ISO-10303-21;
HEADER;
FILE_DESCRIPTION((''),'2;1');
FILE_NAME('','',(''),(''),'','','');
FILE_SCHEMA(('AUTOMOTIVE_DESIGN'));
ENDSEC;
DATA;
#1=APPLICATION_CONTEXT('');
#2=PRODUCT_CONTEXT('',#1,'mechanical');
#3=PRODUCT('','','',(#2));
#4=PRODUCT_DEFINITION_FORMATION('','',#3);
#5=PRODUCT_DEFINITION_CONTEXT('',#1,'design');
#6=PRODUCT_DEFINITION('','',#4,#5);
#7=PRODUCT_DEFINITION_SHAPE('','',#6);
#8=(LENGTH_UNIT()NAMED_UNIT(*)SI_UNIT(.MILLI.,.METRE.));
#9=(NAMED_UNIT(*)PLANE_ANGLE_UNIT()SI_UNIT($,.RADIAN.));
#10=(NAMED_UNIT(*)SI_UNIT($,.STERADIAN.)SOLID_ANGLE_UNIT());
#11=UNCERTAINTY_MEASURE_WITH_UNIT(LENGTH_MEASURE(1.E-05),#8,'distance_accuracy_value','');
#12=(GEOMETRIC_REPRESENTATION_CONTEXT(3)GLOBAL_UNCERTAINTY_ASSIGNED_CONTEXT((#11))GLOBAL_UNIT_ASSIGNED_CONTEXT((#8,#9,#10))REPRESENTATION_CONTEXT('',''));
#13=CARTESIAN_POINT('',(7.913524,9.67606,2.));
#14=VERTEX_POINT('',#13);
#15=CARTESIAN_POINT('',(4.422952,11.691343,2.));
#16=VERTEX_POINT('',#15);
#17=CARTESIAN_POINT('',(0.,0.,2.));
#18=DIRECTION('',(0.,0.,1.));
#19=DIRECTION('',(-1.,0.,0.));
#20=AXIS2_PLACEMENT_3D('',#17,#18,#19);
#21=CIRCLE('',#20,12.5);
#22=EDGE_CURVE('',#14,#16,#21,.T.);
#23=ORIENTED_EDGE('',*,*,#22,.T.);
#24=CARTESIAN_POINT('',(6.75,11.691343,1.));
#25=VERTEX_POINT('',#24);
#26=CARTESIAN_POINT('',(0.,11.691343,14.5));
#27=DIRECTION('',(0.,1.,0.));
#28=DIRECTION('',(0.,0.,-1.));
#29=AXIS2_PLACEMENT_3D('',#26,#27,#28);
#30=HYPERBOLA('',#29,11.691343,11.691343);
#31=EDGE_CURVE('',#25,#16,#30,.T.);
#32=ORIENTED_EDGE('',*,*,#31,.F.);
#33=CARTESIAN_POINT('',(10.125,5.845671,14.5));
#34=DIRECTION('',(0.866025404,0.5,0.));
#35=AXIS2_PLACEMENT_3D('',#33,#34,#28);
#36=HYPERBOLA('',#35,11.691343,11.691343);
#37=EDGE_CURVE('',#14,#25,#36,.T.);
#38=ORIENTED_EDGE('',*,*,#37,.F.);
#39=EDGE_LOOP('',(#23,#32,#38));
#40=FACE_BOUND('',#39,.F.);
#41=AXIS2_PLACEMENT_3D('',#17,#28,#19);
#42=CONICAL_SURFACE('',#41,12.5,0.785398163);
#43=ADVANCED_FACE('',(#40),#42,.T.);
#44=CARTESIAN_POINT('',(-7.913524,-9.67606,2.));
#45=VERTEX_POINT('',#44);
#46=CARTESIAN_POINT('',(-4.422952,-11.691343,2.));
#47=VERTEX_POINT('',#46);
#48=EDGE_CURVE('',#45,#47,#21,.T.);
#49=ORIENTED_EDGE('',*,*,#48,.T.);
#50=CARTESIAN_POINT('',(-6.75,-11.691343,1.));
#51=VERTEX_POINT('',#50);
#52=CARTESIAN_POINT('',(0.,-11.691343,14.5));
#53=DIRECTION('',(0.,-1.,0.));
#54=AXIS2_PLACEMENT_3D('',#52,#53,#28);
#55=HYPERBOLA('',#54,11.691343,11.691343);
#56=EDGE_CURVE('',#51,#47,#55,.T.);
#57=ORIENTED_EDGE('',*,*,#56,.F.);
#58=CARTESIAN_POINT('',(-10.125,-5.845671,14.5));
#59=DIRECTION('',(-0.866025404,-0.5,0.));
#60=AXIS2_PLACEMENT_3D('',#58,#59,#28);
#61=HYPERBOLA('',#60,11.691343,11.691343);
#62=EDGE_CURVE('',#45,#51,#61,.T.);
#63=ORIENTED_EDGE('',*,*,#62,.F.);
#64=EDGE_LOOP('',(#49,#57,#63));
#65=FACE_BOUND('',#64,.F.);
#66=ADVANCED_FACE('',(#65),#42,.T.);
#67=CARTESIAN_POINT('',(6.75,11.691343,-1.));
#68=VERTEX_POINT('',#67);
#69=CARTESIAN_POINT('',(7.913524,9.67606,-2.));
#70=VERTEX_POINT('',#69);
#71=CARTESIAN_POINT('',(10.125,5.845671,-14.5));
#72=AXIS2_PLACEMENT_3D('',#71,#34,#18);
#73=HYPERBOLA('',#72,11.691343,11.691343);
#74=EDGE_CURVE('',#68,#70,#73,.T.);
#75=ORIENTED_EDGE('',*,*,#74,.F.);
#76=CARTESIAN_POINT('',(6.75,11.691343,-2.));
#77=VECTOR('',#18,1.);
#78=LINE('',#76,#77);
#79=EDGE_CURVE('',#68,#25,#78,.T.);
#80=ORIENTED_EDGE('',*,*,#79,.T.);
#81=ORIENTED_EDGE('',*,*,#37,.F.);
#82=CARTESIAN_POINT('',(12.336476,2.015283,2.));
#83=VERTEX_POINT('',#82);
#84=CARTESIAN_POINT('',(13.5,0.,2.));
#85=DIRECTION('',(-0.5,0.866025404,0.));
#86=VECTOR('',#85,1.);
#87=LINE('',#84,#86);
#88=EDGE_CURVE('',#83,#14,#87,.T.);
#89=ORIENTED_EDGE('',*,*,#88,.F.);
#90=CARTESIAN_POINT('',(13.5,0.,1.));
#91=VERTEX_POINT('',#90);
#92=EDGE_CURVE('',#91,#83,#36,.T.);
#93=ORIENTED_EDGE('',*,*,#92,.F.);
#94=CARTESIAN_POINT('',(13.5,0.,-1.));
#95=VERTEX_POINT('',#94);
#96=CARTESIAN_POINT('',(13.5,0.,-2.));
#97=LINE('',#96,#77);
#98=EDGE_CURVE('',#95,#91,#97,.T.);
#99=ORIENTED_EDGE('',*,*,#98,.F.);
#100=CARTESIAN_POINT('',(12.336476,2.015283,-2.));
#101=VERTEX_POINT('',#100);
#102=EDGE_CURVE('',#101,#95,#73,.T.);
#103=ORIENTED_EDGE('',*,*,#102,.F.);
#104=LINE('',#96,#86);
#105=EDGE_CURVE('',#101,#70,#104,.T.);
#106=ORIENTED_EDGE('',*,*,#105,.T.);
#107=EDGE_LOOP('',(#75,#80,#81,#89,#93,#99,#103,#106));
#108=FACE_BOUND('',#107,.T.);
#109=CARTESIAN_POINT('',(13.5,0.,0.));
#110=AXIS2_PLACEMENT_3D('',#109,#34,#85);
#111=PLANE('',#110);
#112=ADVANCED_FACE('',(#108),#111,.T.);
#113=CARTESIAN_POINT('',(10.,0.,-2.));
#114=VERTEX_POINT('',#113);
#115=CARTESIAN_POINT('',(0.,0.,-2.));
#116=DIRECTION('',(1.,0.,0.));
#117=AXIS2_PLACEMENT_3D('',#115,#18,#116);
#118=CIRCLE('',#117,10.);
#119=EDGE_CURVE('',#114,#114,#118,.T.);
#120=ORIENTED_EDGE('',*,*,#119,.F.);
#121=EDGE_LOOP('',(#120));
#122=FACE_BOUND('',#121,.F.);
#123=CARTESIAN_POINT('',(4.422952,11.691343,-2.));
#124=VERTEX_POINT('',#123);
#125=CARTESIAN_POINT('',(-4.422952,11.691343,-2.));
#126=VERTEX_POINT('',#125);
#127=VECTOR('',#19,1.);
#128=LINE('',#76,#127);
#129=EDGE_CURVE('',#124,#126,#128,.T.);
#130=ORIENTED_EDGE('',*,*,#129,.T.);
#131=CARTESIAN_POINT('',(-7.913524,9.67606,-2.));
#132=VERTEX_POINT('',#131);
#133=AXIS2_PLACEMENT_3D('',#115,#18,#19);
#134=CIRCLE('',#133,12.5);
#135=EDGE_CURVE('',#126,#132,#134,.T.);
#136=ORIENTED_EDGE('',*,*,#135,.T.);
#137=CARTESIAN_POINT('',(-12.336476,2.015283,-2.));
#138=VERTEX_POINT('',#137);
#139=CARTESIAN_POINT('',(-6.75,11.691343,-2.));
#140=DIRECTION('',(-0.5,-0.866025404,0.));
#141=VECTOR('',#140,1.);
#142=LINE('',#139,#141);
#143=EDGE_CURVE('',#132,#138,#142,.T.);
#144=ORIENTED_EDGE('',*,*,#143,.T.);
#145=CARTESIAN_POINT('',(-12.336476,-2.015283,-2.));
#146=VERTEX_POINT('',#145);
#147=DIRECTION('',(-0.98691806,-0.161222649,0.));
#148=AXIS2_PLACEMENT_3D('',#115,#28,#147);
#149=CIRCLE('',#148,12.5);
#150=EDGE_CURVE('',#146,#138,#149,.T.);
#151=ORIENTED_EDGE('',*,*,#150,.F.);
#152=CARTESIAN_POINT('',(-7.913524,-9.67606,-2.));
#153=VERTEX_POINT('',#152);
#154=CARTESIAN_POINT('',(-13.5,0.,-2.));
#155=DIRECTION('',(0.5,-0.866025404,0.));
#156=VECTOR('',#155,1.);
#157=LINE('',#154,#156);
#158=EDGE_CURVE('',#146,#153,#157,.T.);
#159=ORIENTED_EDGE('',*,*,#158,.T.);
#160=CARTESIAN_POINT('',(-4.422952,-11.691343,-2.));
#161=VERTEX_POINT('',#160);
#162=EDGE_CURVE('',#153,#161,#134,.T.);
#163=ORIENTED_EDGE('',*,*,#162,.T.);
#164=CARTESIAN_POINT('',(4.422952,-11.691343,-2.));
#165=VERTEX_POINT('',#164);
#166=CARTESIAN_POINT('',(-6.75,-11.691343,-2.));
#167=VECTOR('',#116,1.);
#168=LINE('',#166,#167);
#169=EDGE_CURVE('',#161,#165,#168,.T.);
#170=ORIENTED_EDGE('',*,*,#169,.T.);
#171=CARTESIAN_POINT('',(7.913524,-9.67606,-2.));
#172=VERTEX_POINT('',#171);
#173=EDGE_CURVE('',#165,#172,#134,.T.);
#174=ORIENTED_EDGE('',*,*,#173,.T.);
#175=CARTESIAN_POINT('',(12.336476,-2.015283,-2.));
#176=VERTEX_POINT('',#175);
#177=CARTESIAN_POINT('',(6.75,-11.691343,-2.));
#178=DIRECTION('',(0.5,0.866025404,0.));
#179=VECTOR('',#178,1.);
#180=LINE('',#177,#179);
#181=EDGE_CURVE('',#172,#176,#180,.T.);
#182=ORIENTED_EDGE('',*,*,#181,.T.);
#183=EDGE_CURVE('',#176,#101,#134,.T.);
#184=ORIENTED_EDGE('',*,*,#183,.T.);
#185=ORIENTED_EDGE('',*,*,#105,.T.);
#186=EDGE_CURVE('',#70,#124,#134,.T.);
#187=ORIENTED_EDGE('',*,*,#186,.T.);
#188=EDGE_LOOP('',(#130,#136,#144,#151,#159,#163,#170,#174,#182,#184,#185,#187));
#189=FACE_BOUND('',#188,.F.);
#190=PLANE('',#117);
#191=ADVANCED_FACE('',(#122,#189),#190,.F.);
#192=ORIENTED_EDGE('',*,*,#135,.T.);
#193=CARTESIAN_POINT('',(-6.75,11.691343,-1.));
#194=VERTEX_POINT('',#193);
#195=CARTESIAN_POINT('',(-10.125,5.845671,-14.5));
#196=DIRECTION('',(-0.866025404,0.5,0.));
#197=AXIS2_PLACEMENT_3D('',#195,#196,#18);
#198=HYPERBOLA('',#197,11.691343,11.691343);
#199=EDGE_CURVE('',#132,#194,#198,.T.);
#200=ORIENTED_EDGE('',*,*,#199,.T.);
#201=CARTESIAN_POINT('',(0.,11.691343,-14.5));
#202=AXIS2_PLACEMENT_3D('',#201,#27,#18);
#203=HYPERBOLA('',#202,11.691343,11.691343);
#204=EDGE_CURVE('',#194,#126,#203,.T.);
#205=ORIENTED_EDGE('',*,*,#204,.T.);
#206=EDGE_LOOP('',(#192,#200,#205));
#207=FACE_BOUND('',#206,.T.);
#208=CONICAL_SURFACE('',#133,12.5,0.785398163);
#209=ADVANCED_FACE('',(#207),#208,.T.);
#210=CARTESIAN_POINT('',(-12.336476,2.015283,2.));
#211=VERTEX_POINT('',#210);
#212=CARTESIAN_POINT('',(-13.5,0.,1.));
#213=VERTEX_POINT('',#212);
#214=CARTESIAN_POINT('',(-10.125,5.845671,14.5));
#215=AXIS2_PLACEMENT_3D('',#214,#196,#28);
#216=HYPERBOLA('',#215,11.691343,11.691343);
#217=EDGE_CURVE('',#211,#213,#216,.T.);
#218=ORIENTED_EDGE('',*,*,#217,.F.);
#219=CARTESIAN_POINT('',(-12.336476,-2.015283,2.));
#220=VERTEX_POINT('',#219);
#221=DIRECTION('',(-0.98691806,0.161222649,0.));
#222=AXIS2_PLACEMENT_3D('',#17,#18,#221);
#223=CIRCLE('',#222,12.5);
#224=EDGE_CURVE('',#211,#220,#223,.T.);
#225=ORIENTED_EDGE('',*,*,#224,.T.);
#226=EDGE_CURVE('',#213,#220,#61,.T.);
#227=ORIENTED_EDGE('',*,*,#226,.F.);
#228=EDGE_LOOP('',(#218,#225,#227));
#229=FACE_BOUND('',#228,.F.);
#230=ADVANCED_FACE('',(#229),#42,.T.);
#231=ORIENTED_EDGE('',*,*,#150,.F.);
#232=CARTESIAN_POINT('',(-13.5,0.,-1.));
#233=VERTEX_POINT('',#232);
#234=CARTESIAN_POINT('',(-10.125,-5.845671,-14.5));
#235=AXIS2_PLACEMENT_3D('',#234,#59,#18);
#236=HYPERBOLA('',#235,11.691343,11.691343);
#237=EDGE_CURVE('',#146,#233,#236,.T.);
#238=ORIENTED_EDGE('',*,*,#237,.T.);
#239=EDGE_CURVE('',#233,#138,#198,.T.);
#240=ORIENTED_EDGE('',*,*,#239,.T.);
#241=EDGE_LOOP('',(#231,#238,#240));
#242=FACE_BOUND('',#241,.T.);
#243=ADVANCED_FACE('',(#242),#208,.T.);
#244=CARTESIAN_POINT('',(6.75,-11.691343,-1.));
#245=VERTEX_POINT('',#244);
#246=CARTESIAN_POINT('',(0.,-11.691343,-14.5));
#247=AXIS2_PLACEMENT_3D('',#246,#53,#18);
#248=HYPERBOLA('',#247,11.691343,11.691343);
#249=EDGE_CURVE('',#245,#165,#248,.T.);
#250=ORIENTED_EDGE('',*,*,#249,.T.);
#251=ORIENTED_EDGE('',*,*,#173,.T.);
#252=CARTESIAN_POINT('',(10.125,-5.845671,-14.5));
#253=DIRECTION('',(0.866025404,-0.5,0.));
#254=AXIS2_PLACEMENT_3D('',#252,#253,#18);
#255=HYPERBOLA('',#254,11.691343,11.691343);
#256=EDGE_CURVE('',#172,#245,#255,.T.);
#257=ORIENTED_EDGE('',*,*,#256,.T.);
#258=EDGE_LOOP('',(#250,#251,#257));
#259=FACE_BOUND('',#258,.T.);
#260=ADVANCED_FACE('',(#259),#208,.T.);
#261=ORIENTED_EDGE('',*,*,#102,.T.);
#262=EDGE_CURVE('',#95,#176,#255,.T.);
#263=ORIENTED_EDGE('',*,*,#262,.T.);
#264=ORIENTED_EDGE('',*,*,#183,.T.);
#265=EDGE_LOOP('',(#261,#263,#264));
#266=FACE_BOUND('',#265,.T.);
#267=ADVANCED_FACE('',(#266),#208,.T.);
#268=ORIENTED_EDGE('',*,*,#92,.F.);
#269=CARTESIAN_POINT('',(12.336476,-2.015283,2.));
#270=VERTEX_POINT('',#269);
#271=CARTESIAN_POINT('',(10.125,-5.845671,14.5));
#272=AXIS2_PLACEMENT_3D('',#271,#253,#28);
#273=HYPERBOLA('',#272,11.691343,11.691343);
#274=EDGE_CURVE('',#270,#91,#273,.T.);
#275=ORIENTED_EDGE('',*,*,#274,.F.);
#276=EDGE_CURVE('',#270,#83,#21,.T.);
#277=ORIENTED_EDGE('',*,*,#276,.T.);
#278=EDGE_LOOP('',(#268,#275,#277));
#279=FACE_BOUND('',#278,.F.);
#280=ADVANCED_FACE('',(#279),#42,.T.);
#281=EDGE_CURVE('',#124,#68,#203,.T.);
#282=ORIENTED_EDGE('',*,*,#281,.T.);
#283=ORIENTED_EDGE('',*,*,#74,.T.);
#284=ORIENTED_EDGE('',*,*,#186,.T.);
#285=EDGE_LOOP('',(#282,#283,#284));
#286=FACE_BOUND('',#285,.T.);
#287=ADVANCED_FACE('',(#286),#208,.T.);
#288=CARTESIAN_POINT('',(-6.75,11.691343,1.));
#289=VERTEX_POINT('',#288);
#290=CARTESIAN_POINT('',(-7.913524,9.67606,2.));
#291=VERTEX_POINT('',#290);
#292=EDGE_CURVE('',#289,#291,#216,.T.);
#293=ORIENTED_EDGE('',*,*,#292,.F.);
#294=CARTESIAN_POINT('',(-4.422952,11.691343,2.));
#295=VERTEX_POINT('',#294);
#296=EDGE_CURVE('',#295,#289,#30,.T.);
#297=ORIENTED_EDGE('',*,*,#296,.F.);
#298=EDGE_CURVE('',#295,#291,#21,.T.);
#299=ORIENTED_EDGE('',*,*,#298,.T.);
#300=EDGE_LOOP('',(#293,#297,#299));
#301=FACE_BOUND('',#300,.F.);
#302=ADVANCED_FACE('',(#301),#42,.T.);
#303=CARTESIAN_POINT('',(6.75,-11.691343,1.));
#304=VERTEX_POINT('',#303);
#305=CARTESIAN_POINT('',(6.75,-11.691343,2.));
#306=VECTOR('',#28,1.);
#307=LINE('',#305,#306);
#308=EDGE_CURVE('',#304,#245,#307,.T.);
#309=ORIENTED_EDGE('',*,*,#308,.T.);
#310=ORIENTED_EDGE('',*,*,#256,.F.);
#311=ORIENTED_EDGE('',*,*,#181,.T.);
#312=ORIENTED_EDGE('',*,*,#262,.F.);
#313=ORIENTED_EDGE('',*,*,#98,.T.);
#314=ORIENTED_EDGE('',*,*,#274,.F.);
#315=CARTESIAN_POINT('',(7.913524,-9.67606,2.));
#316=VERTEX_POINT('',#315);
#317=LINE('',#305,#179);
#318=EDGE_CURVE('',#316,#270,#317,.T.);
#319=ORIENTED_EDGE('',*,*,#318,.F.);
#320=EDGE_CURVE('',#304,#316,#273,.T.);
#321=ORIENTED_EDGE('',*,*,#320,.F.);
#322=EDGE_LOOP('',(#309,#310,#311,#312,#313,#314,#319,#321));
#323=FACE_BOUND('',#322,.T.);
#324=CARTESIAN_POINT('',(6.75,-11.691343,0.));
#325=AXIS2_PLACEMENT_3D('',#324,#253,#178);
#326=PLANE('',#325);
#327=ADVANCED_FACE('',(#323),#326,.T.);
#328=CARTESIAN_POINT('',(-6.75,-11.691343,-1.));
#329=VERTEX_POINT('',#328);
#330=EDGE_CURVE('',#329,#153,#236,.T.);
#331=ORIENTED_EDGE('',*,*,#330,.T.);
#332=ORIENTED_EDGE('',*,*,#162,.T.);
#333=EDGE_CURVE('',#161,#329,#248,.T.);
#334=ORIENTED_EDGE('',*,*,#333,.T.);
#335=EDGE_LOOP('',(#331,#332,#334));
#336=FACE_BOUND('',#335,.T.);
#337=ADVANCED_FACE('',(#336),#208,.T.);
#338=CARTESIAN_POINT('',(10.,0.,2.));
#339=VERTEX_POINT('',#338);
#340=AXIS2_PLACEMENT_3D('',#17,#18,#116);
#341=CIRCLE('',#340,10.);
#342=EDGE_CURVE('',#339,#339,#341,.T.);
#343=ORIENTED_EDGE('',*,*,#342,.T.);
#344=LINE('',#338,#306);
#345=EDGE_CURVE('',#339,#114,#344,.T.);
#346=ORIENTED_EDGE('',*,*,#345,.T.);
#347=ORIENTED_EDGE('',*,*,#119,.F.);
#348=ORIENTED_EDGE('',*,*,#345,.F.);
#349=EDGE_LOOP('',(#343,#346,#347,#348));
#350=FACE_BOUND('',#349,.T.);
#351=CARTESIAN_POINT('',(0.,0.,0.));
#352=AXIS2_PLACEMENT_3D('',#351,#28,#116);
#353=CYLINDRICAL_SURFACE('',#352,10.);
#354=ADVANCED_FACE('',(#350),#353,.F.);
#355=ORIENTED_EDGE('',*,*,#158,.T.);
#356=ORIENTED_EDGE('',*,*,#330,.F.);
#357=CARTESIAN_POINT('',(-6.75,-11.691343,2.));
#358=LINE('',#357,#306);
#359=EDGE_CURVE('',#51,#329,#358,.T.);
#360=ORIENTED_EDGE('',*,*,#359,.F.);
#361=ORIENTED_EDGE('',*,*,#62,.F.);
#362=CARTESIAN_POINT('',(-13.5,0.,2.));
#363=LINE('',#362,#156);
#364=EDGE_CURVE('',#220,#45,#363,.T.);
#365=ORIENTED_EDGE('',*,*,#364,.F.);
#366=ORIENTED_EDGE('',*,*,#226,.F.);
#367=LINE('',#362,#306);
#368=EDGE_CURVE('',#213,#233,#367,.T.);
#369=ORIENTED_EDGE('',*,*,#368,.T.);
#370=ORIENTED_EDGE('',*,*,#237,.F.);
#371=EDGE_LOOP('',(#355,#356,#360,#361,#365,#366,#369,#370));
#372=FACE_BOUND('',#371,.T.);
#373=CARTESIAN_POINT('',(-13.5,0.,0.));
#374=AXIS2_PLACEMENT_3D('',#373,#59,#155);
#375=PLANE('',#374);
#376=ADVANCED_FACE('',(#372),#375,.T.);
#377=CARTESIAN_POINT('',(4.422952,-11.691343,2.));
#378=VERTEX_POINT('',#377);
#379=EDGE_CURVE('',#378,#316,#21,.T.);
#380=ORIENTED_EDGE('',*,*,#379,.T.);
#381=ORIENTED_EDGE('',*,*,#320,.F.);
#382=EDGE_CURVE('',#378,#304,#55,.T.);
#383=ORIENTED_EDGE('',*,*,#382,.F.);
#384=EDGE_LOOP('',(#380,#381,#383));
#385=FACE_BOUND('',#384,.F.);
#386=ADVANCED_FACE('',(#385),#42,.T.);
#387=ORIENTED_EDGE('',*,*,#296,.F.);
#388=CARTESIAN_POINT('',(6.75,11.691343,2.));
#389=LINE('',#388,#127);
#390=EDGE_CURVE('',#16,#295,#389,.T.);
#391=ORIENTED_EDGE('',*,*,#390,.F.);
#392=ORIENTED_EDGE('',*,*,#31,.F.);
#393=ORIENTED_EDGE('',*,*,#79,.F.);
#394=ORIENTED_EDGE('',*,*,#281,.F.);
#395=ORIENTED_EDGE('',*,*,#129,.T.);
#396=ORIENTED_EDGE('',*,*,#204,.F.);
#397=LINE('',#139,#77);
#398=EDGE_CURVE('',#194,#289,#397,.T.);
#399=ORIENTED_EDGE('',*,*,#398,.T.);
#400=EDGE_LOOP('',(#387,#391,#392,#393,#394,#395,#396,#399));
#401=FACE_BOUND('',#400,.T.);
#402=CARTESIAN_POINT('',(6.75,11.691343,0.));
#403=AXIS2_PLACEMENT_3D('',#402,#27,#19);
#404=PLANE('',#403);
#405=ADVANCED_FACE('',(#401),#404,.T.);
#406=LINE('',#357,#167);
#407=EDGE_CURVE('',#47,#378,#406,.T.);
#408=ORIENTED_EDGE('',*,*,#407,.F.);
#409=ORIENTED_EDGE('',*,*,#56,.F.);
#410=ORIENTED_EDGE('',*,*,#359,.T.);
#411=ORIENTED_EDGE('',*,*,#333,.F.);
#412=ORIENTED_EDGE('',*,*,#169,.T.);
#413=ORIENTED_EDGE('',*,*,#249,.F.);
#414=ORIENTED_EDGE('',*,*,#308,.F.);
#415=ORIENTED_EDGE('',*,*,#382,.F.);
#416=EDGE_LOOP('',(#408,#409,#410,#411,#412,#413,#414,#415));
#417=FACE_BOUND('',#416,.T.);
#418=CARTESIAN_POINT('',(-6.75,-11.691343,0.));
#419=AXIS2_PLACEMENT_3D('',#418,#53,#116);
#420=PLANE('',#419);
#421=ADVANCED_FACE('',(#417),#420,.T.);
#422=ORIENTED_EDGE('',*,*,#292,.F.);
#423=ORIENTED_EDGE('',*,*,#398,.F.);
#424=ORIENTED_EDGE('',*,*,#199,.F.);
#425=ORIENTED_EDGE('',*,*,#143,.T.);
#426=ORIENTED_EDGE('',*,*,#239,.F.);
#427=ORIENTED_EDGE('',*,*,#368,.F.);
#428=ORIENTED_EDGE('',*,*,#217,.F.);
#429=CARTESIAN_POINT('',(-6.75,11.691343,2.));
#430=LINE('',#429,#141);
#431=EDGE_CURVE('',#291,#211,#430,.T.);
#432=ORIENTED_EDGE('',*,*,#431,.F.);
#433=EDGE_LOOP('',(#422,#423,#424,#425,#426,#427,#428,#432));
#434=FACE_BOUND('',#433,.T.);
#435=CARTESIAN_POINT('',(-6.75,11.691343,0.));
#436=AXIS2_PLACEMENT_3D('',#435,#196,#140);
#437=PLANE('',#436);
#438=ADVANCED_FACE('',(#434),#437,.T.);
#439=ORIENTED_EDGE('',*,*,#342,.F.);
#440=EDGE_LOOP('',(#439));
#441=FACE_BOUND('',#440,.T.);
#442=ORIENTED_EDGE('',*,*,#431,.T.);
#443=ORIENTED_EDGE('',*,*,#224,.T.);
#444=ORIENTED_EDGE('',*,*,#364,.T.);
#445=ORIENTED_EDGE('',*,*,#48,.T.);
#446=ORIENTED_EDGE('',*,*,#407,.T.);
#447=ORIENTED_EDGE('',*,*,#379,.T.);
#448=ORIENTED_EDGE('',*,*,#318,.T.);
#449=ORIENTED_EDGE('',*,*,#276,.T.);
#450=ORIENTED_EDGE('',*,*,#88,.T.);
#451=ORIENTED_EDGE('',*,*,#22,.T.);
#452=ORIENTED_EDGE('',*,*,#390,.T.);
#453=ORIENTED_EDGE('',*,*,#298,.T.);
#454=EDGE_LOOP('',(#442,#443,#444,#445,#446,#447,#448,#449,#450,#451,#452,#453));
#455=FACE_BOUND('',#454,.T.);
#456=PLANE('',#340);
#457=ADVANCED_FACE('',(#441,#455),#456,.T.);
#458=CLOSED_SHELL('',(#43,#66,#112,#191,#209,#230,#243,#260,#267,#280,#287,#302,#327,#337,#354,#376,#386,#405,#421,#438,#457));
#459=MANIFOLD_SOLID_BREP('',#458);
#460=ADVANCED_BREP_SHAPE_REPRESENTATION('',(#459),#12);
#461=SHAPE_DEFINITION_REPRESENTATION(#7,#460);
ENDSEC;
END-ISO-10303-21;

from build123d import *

# Parameters (mm, degrees)
SKETCH1_R           = 10
BOSS_EXTRUDE1_DEPTH = 2


with BuildPart() as part:
    # Sketch1 → Boss-Extrude1 (new, symmetric)
    with BuildSketch(Plane.XY):
        Polygon((6.75, -11.691342951), (13.5, 0), (6.75, 11.691342951), (-6.75, 11.691342951), (-13.5, 0), (-6.75, -11.691342951), align=None)
        Circle(SKETCH1_R, mode=Mode.SUBTRACT)
    extrude(amount=BOSS_EXTRUDE1_DEPTH, both=True)

    # Sketch4 → Cut-Revolve1 (revolve, cut)
    with BuildSketch(Plane(origin=(0, 0, 0), x_dir=(1, 0, 0), z_dir=(0, 1, 0))):
        Polygon((-13.5, 2), (-12.5, 2), (-13.5, 1), align=None)
    cut_revolve1 = revolve(axis=Axis((0, 0, -2), (0, 0, 1)), mode=Mode.SUBTRACT)

    # Mirror1: Cut-Revolve1 across plane
    add(cut_revolve1.mirror(Plane.XY), mode=Mode.SUBTRACT)


solid = part.part
